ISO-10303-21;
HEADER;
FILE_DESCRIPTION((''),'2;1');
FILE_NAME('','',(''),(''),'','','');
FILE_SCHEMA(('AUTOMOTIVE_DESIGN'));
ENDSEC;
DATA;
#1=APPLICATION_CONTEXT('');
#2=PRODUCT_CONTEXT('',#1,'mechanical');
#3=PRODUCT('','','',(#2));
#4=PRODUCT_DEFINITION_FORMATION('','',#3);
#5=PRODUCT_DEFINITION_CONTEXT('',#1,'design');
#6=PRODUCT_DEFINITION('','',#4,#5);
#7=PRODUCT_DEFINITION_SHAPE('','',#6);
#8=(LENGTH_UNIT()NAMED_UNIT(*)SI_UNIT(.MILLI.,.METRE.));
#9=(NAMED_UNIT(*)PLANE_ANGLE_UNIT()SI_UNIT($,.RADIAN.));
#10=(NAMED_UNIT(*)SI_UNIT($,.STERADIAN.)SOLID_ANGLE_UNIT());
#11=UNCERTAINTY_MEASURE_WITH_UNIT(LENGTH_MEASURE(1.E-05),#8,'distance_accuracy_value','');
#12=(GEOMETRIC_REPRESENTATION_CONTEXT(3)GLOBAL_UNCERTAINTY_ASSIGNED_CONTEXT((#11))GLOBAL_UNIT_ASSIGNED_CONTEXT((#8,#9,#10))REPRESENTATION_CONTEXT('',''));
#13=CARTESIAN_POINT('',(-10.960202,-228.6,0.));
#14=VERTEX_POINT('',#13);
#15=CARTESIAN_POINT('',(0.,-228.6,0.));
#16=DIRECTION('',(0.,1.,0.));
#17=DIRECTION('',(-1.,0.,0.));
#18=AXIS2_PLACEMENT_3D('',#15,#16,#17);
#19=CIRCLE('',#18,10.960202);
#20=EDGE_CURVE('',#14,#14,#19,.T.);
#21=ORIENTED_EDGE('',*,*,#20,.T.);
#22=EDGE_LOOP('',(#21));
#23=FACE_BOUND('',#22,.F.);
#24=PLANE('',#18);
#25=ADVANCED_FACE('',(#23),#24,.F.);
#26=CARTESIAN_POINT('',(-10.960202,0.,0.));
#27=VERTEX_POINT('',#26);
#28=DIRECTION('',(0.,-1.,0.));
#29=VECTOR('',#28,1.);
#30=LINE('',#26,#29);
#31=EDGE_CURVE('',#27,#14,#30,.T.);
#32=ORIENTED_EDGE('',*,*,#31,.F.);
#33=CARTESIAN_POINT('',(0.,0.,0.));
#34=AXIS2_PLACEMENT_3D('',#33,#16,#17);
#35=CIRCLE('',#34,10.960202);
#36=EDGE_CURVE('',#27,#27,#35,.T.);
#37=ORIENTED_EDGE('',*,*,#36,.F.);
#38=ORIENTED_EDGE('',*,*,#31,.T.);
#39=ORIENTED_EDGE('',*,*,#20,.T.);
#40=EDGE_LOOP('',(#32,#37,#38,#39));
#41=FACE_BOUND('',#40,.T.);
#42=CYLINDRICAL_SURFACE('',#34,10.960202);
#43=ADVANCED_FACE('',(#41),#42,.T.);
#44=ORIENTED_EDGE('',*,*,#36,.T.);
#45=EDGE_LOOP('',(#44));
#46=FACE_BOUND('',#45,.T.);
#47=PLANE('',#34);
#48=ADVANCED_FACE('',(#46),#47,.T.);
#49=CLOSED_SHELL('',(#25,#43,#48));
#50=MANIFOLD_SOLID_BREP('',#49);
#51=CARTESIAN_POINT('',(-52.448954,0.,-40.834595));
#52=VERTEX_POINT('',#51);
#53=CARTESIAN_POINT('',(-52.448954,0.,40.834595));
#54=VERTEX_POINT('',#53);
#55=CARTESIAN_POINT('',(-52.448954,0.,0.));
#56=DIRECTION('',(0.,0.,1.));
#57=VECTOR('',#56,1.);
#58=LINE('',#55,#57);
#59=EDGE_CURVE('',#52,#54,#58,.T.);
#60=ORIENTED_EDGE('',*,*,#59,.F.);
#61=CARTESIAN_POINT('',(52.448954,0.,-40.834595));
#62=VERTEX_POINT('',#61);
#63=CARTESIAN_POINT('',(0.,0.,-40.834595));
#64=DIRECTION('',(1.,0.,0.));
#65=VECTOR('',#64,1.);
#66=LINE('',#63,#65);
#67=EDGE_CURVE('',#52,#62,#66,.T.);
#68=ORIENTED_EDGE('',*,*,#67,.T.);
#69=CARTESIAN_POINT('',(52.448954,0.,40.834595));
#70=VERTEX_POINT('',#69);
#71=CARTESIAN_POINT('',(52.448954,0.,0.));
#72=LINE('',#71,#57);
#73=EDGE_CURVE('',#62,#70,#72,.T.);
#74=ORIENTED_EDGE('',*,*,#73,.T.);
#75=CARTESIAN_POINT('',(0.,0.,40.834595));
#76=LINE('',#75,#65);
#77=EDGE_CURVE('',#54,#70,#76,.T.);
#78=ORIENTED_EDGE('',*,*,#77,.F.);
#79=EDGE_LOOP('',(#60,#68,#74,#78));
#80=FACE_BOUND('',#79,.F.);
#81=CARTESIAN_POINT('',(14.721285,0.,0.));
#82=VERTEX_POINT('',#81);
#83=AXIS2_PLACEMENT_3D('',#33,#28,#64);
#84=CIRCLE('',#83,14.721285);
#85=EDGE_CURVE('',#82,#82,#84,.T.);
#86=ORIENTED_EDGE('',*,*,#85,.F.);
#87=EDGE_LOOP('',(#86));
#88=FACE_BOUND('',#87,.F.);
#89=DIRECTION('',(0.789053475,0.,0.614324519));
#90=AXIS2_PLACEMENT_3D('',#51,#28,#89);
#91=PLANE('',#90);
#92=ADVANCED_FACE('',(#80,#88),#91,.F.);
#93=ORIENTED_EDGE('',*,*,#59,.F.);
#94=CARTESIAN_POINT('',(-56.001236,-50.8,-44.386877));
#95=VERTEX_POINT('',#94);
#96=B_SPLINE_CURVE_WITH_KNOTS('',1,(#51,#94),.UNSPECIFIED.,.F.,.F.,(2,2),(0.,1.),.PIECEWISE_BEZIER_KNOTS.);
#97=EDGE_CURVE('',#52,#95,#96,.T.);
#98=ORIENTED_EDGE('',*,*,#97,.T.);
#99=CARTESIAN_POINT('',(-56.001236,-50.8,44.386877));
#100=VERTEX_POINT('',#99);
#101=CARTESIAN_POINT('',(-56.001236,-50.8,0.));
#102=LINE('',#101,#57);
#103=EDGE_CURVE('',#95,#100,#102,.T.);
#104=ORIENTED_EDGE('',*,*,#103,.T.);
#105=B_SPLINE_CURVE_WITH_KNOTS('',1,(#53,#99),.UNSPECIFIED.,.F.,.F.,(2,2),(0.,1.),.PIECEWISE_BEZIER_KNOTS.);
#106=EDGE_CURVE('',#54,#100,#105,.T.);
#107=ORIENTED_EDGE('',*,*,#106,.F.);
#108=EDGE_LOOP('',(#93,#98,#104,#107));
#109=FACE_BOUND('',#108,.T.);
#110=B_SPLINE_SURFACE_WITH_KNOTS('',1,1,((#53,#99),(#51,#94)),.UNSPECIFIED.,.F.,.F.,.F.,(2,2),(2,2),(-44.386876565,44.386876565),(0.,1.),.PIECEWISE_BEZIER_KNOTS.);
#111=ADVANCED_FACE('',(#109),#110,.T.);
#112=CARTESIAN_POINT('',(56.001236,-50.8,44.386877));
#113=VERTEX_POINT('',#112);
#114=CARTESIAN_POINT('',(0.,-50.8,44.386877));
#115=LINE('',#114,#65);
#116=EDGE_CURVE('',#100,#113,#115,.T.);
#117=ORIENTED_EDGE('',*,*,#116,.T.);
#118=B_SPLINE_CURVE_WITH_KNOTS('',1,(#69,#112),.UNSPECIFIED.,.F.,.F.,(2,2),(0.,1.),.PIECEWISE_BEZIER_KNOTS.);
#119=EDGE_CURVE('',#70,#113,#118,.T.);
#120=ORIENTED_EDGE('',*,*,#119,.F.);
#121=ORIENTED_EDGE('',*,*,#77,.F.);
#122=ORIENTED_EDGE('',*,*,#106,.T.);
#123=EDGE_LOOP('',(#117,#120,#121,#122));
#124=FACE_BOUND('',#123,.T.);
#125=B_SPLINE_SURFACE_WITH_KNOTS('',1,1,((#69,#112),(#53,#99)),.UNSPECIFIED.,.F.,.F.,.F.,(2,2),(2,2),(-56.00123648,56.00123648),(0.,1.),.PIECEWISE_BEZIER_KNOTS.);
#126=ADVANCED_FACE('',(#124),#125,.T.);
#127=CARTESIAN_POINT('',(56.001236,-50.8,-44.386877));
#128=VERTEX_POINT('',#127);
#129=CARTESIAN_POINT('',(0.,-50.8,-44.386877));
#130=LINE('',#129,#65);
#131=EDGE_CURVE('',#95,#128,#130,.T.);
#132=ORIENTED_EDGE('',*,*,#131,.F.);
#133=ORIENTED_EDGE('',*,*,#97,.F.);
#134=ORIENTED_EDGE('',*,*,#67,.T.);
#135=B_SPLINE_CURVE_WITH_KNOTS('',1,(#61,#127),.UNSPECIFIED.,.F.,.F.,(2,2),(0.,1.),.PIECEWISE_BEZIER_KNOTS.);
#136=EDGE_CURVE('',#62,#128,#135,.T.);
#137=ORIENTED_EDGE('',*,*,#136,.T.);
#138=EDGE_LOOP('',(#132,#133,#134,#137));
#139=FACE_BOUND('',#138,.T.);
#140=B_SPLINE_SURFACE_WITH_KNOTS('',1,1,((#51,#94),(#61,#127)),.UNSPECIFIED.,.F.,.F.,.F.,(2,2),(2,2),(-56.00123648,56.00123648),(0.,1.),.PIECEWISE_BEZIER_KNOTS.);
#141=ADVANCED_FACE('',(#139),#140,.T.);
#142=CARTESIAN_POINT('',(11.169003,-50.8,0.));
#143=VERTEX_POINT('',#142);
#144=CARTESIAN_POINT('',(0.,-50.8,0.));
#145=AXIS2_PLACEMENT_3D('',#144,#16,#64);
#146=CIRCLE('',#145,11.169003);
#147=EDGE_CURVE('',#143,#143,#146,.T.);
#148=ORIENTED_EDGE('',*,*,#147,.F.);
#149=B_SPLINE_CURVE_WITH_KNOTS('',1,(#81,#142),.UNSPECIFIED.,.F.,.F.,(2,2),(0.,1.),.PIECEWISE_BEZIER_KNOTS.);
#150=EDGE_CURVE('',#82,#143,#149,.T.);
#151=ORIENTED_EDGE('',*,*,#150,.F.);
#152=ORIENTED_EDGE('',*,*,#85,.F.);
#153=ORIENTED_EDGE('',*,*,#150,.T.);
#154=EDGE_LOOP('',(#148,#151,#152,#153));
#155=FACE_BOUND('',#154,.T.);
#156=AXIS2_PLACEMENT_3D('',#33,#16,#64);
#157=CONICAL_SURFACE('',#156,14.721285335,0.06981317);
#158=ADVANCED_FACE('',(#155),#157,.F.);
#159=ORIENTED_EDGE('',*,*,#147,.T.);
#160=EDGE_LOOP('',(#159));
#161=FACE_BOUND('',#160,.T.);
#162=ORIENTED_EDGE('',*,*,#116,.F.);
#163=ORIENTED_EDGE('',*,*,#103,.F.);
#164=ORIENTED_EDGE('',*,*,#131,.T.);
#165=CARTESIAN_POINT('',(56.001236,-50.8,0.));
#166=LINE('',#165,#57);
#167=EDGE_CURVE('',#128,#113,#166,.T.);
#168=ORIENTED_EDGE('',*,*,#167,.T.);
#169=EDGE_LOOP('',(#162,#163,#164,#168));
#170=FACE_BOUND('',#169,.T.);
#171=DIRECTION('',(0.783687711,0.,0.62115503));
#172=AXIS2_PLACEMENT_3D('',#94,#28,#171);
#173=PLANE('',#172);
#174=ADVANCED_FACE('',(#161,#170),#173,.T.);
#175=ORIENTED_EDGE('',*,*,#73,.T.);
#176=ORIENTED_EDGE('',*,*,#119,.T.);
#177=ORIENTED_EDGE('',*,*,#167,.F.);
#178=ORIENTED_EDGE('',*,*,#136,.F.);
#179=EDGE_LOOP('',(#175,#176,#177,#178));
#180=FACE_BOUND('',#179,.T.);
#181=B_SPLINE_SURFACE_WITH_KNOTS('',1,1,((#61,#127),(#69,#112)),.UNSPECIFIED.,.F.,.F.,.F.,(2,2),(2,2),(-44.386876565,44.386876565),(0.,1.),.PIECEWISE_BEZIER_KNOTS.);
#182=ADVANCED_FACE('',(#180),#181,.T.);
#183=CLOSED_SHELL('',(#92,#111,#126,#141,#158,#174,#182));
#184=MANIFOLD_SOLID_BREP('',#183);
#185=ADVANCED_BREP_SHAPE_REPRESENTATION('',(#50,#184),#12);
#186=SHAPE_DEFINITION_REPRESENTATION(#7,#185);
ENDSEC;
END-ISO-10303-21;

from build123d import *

# Parameters (mm, degrees)
F0_W     = 104.8979088664
F0_H     = 81.6691890359
F0_R     = 14.7212853351
F1_DEPTH = 50.8
F1_TAPER = -4
F2_R     = 10.9602017769
F3_DEPTH = 228.6


with BuildPart() as f1:
    # F0 (on Front) → F1 (new body)
    with BuildSketch(Plane.XZ):
        Rectangle(F0_W, F0_H)
        Circle(F0_R, mode=Mode.SUBTRACT)
    extrude(amount=F1_DEPTH, taper=F1_TAPER)


with BuildPart() as f3:
    # F2 (on face) → F3 (new body)
    with BuildSketch(Plane(origin=(0, 0, 0), x_dir=(-1, 0, 0), z_dir=(0, 1, 0))):
        Circle(F2_R)
    extrude(amount=-F3_DEPTH)


solid = Compound([f1.part, f3.part])
